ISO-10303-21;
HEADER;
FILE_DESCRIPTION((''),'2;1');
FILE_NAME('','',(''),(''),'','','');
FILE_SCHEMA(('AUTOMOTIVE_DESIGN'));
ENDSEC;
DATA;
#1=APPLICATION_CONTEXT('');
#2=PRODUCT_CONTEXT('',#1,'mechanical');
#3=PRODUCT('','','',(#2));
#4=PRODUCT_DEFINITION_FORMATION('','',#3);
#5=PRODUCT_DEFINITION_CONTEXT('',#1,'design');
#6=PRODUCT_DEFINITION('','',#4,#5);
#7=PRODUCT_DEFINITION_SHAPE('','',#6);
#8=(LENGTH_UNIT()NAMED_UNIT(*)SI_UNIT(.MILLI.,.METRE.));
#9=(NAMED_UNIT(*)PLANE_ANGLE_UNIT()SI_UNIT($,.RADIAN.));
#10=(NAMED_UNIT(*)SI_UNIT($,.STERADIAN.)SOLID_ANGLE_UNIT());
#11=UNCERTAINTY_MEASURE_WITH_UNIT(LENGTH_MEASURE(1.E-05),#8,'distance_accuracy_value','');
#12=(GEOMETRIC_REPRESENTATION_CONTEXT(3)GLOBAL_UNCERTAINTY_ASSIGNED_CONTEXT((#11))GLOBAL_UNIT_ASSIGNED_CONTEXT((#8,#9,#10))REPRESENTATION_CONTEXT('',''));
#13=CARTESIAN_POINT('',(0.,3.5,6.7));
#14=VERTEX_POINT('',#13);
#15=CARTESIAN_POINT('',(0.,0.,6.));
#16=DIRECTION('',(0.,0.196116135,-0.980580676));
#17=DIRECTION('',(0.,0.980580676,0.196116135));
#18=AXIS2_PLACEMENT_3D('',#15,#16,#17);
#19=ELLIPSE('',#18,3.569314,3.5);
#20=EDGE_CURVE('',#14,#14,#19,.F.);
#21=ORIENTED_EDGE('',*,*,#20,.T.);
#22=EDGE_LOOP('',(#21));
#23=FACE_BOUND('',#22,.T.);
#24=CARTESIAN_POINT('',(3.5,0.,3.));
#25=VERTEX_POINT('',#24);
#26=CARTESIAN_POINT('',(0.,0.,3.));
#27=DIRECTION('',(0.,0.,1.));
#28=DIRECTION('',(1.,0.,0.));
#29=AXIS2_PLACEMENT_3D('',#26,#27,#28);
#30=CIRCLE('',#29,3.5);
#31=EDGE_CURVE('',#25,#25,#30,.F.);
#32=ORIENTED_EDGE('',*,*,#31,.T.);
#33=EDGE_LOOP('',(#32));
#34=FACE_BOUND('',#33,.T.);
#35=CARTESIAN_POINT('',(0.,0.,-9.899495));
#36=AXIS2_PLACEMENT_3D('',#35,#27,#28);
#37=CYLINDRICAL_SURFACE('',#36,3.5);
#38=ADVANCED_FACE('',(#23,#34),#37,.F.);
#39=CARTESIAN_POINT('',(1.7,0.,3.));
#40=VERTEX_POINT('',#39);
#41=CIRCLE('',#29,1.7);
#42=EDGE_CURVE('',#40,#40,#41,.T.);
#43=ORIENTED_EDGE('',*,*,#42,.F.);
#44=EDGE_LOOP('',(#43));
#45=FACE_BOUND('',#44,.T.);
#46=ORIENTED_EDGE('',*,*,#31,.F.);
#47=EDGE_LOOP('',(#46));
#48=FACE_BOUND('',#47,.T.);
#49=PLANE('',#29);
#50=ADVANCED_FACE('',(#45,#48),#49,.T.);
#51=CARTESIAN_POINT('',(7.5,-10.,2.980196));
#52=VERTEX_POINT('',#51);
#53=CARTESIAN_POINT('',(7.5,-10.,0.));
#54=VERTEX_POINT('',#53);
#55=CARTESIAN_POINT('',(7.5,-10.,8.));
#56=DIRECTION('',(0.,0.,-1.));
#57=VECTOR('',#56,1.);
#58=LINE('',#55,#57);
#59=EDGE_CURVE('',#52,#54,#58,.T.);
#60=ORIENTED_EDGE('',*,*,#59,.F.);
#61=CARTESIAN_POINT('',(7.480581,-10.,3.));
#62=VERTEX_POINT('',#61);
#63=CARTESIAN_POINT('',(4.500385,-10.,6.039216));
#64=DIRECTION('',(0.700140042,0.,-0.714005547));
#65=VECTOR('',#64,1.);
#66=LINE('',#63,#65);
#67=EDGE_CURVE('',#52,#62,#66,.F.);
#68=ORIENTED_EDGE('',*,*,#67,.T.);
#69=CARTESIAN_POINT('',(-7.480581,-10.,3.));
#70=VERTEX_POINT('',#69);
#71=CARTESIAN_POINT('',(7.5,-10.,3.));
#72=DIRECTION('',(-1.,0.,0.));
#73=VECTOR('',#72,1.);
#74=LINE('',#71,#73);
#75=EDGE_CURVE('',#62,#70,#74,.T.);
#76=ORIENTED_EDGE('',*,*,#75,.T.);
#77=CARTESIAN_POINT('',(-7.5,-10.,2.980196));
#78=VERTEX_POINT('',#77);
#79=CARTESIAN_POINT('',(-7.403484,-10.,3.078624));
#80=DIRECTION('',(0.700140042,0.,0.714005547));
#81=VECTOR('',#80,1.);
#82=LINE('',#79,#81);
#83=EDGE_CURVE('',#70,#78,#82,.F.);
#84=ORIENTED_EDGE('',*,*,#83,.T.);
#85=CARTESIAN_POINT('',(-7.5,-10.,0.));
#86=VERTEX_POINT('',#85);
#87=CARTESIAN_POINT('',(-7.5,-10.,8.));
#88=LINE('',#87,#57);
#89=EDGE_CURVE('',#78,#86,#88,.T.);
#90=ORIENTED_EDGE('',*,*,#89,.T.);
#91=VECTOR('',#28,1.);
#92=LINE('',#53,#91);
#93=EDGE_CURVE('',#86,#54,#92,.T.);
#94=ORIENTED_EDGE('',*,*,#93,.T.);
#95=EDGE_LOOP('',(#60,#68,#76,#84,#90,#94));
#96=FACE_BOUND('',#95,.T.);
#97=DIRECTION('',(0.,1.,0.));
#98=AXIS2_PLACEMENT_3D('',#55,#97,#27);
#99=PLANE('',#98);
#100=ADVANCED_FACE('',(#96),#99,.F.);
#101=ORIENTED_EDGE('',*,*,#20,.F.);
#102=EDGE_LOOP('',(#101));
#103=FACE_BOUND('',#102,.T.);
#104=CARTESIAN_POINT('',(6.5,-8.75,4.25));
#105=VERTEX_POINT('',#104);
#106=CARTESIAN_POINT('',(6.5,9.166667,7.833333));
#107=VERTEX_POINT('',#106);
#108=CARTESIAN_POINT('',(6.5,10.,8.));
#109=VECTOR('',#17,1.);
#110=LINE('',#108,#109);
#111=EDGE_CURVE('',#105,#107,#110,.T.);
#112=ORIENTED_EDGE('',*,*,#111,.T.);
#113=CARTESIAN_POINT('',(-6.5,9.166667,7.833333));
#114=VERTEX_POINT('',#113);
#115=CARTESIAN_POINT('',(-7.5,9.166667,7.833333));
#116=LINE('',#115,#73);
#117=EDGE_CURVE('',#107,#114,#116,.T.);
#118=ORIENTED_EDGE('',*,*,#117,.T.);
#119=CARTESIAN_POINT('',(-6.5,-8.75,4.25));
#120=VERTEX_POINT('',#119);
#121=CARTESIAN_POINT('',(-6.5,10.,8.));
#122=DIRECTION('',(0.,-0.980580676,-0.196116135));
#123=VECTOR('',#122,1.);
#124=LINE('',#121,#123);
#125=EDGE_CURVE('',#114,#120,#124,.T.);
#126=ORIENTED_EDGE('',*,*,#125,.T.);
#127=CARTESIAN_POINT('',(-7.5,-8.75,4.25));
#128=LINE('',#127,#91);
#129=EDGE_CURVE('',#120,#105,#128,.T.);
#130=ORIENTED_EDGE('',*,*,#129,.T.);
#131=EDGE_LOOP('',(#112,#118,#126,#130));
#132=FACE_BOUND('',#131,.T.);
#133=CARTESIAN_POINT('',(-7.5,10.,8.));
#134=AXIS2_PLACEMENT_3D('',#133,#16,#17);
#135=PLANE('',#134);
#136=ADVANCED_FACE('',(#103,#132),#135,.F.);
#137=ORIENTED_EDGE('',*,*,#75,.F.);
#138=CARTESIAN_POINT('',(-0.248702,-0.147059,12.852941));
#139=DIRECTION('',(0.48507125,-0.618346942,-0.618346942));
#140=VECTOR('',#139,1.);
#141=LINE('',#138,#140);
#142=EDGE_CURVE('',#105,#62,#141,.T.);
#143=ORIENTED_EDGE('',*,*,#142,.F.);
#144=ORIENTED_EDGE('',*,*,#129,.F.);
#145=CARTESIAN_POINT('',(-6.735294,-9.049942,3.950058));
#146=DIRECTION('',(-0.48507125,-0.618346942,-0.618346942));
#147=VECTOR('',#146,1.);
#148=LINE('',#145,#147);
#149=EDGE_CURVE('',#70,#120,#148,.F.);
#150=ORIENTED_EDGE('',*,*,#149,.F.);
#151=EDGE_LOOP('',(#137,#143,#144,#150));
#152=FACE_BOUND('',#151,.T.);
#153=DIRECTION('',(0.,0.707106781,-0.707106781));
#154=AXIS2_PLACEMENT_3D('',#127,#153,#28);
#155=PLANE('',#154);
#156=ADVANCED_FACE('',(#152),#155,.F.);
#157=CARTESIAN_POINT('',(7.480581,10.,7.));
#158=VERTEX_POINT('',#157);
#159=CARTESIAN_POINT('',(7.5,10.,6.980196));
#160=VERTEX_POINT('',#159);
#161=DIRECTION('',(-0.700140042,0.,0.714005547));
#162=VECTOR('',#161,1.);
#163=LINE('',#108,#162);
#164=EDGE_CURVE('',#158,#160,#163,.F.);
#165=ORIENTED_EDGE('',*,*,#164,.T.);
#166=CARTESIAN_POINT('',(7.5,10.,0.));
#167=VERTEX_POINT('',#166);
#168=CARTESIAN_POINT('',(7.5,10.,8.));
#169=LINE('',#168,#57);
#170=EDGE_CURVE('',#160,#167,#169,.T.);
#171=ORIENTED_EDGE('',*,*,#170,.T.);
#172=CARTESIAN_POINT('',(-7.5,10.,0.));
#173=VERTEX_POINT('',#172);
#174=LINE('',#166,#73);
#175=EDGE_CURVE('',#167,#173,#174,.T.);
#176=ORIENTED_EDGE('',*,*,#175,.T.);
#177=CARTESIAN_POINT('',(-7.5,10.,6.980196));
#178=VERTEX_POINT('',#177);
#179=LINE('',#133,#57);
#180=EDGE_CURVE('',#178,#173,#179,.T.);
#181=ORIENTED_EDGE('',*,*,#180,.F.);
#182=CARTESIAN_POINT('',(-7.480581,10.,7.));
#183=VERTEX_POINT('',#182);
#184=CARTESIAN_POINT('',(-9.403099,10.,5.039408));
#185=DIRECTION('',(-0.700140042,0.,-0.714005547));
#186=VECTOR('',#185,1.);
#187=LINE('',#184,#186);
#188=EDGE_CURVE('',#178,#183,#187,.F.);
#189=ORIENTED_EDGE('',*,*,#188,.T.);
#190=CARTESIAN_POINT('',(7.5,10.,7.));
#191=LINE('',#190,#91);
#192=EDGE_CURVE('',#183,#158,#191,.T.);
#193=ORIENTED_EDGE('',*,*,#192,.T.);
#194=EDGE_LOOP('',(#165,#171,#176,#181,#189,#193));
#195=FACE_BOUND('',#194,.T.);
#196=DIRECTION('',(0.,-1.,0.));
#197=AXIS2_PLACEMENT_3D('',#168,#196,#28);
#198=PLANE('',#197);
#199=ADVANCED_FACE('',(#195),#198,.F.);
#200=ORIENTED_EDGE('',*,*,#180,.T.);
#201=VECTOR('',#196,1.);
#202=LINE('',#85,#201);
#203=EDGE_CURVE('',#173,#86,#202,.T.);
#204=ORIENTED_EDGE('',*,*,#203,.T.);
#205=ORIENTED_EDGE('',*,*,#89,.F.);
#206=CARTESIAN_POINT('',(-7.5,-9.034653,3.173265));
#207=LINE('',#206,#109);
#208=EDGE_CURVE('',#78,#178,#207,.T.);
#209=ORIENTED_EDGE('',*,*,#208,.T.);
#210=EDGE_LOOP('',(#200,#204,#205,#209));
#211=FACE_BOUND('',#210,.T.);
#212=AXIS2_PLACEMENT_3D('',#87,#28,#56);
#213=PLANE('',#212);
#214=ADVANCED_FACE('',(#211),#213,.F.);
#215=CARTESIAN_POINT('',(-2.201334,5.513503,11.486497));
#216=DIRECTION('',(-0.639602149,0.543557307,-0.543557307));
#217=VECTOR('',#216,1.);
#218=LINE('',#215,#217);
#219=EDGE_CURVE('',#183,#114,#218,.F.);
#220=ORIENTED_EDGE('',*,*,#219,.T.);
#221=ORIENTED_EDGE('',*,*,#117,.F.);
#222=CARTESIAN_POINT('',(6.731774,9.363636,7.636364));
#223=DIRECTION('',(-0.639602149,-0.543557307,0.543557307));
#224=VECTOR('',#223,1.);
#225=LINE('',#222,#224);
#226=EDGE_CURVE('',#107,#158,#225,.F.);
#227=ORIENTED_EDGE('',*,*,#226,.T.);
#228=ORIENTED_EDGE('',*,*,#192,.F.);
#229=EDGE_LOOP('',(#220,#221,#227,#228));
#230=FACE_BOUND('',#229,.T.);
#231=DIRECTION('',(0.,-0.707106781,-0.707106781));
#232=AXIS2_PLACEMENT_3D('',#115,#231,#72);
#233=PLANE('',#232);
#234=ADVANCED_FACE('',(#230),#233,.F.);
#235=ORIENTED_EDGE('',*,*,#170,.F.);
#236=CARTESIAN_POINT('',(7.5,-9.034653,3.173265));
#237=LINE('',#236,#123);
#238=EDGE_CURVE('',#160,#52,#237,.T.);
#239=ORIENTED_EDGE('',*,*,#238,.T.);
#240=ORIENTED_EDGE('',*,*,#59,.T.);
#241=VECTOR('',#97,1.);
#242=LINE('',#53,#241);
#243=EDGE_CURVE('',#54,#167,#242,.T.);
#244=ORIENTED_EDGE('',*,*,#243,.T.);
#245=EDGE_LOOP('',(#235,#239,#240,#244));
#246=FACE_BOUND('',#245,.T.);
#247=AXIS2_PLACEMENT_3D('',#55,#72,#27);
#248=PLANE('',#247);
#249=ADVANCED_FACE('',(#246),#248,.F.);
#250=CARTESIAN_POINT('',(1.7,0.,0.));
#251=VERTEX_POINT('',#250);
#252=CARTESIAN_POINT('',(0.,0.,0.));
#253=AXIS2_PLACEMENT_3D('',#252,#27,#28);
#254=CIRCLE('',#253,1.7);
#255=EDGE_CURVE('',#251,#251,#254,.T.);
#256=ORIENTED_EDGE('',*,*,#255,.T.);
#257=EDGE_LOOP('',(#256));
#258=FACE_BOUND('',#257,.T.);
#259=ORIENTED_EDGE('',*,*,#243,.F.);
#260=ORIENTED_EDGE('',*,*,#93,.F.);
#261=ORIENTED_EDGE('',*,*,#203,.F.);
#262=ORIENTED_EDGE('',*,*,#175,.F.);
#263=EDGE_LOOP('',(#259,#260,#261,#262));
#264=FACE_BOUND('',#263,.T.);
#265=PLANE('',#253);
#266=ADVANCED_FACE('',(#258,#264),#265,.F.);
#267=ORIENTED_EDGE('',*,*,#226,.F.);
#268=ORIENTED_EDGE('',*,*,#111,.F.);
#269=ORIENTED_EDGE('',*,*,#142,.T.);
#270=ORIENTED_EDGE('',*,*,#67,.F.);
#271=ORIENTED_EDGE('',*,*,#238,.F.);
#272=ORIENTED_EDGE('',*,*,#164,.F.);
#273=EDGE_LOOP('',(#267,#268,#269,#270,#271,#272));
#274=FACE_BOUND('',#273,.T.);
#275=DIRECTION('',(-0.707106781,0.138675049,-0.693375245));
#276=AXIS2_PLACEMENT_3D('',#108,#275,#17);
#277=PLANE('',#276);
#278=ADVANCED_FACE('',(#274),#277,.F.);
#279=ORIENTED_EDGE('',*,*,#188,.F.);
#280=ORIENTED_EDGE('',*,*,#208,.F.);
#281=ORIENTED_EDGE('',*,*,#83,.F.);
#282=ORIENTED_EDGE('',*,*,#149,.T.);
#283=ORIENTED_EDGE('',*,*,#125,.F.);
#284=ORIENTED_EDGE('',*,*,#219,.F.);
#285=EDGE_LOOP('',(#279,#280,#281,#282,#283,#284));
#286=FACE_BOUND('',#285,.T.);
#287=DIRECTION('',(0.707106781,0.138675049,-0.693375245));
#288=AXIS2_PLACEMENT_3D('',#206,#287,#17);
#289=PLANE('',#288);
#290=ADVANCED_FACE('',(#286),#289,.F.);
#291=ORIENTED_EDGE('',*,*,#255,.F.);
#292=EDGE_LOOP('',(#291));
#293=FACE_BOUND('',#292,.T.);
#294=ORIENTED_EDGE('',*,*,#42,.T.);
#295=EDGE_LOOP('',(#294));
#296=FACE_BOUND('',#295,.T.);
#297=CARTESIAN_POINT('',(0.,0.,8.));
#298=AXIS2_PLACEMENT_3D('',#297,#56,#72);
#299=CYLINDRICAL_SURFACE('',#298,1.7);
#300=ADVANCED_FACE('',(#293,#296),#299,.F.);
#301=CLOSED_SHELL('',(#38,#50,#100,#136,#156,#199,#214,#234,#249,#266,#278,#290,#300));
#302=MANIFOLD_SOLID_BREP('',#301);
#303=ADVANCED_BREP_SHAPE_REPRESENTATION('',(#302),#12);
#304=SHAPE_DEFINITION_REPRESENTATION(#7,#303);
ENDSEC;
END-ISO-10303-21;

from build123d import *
from OCP.BRepFilletAPI import BRepFilletAPI_MakeChamfer

# Parameters (mm, degrees)
SKETCH1_W           = 15
SKETCH1_H           = 20
SKETCH1_R           = 1.7
BOSS_EXTRUDE1_DEPTH = 8
SKETCH2_R           = 3.5
CUT_EXTRUDE1_DEPTH  = 5
CUT_EXTRUDE2_DEPTH  = 20.723082923
CHAMFER1_SIZE       = 1
CHAMFER1_SIZE2      = 0.849836586
CHAMFER1_SIZE2_2    = 1.274754878


with BuildPart() as part:
    # Sketch1 → Boss-Extrude1 (new body)
    with BuildSketch(Plane.XY):
        Rectangle(SKETCH1_W, SKETCH1_H)
        Circle(SKETCH1_R, mode=Mode.SUBTRACT)
    extrude(amount=BOSS_EXTRUDE1_DEPTH)

    # Sketch2 → Cut-Extrude1 (cut)
    with BuildSketch(Plane.XY.offset(8)):
        Circle(SKETCH2_R)
    extrude(amount=-CUT_EXTRUDE1_DEPTH, mode=Mode.SUBTRACT)

    # Sketch3 → Cut-Extrude2 (cut, through all)
    with BuildSketch(Plane(origin=(7.5, 0, 0), x_dir=(0, 0, -1), z_dir=(1, 0, 0))):
        Polygon((-8, 10), (-4, -10), (-8, -10), align=None)
    extrude(amount=-CUT_EXTRUDE2_DEPTH, mode=Mode.SUBTRACT)

    # Chamfer1: one chamfer whose edges measure the first distance from different faces: ONE call of the kernel's chamfer builder (chamfer() names one face for all edges)
    chamfer1_edges_1 = [part.edges().sort_by_distance(p)[0] for p in [
        (0, 10, 8),
    ]]
    chamfer1_side_1 = [part.faces().sort_by_distance(p)[0] for p in [
        (0, 10, 4),
    ]]
    chamfer1_edges_2 = [part.edges().sort_by_distance(p)[0] for p in [
        (-7.5, 0, 6),
        (7.5, 0, 6),
    ]]
    chamfer1_edges_3 = [part.edges().sort_by_distance(p)[0] for p in [
        (0, -10, 4),
    ]]
    chamfer1_side_3 = [part.faces().sort_by_distance(p)[0] for p in [
        (0, -10, 2),
    ]]
    chamfer1 = BRepFilletAPI_MakeChamfer(part.part.solid().wrapped)
    for e in chamfer1_edges_1:
        chamfer1.Add(CHAMFER1_SIZE, CHAMFER1_SIZE2, e.wrapped, chamfer1_side_1[0].wrapped)  # the first distance lies on this face
    for e in chamfer1_edges_2:
        chamfer1.Add(CHAMFER1_SIZE, e.wrapped)
    for e in chamfer1_edges_3:
        chamfer1.Add(CHAMFER1_SIZE, CHAMFER1_SIZE2_2, e.wrapped, chamfer1_side_3[0].wrapped)  # the first distance lies on this face
    add(Compound.cast(chamfer1.Shape()), mode=Mode.REPLACE)


solid = part.part
